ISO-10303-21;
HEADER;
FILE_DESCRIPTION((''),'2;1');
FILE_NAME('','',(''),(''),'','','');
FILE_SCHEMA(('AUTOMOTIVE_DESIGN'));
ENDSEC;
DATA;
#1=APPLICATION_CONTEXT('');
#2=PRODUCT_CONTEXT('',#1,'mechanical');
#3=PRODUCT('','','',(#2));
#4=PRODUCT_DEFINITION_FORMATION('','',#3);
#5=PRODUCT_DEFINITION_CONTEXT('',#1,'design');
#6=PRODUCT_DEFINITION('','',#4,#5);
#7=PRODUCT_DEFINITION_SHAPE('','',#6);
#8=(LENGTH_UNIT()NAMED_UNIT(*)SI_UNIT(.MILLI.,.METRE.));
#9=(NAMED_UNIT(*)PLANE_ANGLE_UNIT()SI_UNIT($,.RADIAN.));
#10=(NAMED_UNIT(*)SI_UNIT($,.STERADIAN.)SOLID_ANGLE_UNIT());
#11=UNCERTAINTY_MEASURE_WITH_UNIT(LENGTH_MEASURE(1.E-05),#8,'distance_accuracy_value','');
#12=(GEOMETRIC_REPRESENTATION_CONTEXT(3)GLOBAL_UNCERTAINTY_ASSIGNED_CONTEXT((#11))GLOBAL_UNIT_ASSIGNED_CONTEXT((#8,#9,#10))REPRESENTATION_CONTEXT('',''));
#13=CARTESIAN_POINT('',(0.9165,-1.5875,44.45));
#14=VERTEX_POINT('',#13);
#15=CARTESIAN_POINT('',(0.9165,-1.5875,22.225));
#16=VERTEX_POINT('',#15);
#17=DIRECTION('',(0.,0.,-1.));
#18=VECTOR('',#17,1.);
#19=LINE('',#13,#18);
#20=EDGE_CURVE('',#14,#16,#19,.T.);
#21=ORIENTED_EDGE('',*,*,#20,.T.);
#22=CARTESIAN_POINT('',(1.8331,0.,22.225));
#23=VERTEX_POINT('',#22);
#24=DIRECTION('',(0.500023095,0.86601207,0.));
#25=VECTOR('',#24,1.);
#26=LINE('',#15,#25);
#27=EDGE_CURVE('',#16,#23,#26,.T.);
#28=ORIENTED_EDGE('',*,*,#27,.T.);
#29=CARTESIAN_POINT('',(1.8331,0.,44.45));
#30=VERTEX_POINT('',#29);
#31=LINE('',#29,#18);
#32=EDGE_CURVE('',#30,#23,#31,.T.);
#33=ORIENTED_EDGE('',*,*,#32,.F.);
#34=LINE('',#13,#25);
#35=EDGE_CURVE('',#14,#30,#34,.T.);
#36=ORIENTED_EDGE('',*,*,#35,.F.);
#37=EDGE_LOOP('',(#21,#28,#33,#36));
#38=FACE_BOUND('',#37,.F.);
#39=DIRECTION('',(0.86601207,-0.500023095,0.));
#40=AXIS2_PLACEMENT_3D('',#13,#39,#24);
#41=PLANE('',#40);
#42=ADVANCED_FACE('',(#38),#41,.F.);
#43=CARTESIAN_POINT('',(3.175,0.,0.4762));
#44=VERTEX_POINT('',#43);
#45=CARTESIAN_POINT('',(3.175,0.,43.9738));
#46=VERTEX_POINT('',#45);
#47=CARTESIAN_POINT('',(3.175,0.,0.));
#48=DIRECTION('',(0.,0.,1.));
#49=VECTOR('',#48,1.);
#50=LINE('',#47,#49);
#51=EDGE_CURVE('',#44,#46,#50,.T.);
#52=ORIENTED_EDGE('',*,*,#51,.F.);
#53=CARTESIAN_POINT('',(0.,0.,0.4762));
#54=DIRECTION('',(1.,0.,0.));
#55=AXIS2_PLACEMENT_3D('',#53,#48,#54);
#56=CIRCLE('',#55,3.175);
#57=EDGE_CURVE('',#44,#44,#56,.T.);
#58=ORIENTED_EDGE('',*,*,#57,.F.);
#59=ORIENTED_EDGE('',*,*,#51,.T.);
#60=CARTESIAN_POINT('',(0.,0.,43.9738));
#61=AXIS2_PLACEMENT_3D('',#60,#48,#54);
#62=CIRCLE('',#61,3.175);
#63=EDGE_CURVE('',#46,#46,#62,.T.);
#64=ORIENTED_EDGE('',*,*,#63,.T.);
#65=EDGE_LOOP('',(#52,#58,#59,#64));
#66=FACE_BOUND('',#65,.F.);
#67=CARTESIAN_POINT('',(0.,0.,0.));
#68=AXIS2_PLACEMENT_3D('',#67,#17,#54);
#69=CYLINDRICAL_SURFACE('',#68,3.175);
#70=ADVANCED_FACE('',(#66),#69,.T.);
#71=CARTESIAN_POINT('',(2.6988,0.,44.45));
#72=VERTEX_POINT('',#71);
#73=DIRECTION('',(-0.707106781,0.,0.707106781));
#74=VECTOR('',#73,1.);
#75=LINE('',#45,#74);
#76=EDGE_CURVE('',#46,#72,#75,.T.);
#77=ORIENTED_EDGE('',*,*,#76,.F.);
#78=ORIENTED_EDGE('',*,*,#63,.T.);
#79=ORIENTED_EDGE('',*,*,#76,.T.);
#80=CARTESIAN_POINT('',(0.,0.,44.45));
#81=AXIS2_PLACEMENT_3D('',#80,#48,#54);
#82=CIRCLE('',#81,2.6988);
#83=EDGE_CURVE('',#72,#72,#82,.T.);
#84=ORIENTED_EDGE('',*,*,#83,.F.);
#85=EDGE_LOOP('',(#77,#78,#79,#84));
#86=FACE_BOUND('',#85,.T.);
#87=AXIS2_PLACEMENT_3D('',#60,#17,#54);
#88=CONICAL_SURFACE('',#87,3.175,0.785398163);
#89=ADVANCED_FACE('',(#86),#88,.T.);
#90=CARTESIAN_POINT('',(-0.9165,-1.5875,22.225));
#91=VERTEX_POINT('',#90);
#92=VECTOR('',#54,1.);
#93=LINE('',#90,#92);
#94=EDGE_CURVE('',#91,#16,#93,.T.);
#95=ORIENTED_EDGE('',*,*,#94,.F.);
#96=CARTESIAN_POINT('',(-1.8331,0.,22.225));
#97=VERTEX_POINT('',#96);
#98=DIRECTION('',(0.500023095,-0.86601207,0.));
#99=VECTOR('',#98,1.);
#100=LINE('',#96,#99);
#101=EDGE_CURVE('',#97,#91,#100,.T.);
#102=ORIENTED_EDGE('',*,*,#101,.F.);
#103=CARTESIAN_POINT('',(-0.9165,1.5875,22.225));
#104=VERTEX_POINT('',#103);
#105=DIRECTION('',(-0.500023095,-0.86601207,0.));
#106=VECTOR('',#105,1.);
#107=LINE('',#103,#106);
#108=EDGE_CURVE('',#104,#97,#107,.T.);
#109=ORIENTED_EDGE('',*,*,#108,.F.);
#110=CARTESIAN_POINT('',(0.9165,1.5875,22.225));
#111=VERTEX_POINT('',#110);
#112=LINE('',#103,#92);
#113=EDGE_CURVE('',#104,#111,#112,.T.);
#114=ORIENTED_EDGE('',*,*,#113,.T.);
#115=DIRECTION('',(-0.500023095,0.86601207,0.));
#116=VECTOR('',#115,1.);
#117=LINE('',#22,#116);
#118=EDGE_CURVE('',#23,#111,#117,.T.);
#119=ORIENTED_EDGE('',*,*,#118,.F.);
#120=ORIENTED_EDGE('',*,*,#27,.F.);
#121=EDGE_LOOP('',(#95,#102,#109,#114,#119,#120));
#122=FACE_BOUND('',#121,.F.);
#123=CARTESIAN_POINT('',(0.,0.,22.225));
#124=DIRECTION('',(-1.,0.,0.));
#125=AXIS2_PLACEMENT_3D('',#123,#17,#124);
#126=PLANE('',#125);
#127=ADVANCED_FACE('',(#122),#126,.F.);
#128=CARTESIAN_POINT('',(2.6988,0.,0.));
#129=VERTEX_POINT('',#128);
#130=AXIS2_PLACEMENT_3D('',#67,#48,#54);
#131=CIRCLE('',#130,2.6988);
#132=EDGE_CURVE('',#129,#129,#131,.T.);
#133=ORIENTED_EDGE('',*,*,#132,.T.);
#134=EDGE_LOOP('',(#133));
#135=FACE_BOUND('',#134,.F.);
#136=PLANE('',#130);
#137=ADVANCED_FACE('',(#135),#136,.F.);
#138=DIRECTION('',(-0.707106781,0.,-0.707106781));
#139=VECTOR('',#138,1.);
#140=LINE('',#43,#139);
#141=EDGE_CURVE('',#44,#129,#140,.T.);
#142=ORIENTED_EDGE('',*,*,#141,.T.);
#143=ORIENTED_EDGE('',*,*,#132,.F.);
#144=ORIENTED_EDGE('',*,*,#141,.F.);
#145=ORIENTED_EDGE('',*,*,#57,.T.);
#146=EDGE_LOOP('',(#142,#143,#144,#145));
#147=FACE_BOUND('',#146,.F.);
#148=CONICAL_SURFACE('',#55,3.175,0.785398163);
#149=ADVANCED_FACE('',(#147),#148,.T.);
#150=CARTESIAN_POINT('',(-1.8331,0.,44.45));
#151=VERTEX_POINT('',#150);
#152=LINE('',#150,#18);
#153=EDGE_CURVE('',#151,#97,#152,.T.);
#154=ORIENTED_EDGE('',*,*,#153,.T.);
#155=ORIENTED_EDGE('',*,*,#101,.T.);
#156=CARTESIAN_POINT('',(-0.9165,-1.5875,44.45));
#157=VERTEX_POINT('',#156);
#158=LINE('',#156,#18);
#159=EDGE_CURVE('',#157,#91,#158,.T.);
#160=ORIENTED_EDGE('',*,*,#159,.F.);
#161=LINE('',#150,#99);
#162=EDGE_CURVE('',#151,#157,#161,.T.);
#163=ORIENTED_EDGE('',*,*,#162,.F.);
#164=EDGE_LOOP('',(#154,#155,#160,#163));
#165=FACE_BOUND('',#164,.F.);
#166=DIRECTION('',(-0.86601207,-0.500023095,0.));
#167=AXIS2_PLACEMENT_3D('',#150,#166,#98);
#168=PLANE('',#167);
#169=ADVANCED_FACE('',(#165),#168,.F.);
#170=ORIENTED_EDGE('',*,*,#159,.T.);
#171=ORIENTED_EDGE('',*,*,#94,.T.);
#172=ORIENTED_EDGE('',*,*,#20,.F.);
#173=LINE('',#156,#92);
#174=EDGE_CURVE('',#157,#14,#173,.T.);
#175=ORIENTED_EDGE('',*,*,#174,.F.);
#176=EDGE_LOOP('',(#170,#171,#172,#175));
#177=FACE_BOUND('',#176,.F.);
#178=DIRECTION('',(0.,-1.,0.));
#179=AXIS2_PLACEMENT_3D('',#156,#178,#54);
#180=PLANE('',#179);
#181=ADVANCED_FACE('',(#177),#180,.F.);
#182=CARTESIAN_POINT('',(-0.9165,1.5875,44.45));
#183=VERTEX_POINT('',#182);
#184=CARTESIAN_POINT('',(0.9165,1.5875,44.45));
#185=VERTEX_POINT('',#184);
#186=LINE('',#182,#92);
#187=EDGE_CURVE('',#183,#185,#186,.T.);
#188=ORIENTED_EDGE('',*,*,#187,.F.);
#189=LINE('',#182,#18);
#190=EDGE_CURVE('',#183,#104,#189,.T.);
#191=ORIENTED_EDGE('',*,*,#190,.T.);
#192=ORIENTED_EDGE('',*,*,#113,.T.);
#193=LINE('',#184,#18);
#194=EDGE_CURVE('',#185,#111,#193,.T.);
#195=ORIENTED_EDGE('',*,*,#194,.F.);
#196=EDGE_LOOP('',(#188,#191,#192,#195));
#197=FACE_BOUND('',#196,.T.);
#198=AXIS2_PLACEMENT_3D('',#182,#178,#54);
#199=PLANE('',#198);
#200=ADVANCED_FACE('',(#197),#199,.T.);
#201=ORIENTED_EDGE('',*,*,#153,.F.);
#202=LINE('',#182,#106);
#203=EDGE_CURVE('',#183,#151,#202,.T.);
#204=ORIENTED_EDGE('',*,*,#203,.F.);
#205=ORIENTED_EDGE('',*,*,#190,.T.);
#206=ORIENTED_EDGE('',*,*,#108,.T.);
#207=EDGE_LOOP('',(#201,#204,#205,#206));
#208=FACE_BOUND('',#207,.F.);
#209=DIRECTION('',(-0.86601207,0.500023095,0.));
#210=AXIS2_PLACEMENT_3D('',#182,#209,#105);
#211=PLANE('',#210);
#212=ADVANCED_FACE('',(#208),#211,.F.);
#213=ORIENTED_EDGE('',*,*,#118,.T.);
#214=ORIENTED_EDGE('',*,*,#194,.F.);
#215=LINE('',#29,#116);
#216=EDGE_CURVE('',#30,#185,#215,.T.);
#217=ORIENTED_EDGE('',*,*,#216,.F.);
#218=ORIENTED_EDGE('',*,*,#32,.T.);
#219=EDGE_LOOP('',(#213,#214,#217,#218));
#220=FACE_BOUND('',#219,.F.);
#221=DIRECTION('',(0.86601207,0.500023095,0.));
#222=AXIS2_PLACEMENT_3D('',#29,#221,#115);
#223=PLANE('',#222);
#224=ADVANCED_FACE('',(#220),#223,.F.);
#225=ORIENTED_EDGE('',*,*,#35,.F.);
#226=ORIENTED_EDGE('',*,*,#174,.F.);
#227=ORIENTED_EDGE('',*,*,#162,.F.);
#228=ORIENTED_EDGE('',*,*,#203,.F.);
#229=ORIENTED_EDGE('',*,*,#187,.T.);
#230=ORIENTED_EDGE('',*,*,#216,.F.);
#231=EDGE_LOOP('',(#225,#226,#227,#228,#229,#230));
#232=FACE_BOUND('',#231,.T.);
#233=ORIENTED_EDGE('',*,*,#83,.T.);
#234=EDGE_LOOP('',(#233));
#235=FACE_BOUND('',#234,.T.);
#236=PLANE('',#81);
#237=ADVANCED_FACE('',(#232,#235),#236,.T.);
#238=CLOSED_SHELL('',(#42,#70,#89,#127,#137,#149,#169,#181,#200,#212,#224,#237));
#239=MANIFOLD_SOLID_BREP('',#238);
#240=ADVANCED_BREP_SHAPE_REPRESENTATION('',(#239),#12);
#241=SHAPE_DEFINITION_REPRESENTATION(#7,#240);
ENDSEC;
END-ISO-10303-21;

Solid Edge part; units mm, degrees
sketch "Sketch1" plane through (0, 0, 0) normal (0, 0, 1) x (1, 0, 0)
  circle A0 centre (0, 0) radius 3.175
  dimension "D1" = 6.35
extrude "Protrusion1" add sketch "Sketch1" along normal blind 44.45
chamfer "Chamfer1" distance 0.4762 angle 45 2 edges at (-3.175, 0, 0) (-3.175, 0, 44.45)
sketch "Sketch2" plane through (0, 0, 44.45) normal (0, 0, 1) x (1, 0, 0)
  line L0 (-0.9165, 1.5875) -> (0.9165, 1.5875)
  line L1 (1.8331, 0) -> (0.9165, 1.5875)
  line L2 (0.9165, -1.5875) -> (1.8331, 0)
  line L3 (-0.9165, -1.5875) -> (0.9165, -1.5875)
  line L4 (-1.8331, 0) -> (-0.9165, -1.5875)
  line L5 (-0.9165, 1.5875) -> (-1.8331, 0)
  dimension "D1" = 3.175
extrude "Cutout1" cut sketch "Sketch2" against normal blind 22.225
properties part number "162157"
